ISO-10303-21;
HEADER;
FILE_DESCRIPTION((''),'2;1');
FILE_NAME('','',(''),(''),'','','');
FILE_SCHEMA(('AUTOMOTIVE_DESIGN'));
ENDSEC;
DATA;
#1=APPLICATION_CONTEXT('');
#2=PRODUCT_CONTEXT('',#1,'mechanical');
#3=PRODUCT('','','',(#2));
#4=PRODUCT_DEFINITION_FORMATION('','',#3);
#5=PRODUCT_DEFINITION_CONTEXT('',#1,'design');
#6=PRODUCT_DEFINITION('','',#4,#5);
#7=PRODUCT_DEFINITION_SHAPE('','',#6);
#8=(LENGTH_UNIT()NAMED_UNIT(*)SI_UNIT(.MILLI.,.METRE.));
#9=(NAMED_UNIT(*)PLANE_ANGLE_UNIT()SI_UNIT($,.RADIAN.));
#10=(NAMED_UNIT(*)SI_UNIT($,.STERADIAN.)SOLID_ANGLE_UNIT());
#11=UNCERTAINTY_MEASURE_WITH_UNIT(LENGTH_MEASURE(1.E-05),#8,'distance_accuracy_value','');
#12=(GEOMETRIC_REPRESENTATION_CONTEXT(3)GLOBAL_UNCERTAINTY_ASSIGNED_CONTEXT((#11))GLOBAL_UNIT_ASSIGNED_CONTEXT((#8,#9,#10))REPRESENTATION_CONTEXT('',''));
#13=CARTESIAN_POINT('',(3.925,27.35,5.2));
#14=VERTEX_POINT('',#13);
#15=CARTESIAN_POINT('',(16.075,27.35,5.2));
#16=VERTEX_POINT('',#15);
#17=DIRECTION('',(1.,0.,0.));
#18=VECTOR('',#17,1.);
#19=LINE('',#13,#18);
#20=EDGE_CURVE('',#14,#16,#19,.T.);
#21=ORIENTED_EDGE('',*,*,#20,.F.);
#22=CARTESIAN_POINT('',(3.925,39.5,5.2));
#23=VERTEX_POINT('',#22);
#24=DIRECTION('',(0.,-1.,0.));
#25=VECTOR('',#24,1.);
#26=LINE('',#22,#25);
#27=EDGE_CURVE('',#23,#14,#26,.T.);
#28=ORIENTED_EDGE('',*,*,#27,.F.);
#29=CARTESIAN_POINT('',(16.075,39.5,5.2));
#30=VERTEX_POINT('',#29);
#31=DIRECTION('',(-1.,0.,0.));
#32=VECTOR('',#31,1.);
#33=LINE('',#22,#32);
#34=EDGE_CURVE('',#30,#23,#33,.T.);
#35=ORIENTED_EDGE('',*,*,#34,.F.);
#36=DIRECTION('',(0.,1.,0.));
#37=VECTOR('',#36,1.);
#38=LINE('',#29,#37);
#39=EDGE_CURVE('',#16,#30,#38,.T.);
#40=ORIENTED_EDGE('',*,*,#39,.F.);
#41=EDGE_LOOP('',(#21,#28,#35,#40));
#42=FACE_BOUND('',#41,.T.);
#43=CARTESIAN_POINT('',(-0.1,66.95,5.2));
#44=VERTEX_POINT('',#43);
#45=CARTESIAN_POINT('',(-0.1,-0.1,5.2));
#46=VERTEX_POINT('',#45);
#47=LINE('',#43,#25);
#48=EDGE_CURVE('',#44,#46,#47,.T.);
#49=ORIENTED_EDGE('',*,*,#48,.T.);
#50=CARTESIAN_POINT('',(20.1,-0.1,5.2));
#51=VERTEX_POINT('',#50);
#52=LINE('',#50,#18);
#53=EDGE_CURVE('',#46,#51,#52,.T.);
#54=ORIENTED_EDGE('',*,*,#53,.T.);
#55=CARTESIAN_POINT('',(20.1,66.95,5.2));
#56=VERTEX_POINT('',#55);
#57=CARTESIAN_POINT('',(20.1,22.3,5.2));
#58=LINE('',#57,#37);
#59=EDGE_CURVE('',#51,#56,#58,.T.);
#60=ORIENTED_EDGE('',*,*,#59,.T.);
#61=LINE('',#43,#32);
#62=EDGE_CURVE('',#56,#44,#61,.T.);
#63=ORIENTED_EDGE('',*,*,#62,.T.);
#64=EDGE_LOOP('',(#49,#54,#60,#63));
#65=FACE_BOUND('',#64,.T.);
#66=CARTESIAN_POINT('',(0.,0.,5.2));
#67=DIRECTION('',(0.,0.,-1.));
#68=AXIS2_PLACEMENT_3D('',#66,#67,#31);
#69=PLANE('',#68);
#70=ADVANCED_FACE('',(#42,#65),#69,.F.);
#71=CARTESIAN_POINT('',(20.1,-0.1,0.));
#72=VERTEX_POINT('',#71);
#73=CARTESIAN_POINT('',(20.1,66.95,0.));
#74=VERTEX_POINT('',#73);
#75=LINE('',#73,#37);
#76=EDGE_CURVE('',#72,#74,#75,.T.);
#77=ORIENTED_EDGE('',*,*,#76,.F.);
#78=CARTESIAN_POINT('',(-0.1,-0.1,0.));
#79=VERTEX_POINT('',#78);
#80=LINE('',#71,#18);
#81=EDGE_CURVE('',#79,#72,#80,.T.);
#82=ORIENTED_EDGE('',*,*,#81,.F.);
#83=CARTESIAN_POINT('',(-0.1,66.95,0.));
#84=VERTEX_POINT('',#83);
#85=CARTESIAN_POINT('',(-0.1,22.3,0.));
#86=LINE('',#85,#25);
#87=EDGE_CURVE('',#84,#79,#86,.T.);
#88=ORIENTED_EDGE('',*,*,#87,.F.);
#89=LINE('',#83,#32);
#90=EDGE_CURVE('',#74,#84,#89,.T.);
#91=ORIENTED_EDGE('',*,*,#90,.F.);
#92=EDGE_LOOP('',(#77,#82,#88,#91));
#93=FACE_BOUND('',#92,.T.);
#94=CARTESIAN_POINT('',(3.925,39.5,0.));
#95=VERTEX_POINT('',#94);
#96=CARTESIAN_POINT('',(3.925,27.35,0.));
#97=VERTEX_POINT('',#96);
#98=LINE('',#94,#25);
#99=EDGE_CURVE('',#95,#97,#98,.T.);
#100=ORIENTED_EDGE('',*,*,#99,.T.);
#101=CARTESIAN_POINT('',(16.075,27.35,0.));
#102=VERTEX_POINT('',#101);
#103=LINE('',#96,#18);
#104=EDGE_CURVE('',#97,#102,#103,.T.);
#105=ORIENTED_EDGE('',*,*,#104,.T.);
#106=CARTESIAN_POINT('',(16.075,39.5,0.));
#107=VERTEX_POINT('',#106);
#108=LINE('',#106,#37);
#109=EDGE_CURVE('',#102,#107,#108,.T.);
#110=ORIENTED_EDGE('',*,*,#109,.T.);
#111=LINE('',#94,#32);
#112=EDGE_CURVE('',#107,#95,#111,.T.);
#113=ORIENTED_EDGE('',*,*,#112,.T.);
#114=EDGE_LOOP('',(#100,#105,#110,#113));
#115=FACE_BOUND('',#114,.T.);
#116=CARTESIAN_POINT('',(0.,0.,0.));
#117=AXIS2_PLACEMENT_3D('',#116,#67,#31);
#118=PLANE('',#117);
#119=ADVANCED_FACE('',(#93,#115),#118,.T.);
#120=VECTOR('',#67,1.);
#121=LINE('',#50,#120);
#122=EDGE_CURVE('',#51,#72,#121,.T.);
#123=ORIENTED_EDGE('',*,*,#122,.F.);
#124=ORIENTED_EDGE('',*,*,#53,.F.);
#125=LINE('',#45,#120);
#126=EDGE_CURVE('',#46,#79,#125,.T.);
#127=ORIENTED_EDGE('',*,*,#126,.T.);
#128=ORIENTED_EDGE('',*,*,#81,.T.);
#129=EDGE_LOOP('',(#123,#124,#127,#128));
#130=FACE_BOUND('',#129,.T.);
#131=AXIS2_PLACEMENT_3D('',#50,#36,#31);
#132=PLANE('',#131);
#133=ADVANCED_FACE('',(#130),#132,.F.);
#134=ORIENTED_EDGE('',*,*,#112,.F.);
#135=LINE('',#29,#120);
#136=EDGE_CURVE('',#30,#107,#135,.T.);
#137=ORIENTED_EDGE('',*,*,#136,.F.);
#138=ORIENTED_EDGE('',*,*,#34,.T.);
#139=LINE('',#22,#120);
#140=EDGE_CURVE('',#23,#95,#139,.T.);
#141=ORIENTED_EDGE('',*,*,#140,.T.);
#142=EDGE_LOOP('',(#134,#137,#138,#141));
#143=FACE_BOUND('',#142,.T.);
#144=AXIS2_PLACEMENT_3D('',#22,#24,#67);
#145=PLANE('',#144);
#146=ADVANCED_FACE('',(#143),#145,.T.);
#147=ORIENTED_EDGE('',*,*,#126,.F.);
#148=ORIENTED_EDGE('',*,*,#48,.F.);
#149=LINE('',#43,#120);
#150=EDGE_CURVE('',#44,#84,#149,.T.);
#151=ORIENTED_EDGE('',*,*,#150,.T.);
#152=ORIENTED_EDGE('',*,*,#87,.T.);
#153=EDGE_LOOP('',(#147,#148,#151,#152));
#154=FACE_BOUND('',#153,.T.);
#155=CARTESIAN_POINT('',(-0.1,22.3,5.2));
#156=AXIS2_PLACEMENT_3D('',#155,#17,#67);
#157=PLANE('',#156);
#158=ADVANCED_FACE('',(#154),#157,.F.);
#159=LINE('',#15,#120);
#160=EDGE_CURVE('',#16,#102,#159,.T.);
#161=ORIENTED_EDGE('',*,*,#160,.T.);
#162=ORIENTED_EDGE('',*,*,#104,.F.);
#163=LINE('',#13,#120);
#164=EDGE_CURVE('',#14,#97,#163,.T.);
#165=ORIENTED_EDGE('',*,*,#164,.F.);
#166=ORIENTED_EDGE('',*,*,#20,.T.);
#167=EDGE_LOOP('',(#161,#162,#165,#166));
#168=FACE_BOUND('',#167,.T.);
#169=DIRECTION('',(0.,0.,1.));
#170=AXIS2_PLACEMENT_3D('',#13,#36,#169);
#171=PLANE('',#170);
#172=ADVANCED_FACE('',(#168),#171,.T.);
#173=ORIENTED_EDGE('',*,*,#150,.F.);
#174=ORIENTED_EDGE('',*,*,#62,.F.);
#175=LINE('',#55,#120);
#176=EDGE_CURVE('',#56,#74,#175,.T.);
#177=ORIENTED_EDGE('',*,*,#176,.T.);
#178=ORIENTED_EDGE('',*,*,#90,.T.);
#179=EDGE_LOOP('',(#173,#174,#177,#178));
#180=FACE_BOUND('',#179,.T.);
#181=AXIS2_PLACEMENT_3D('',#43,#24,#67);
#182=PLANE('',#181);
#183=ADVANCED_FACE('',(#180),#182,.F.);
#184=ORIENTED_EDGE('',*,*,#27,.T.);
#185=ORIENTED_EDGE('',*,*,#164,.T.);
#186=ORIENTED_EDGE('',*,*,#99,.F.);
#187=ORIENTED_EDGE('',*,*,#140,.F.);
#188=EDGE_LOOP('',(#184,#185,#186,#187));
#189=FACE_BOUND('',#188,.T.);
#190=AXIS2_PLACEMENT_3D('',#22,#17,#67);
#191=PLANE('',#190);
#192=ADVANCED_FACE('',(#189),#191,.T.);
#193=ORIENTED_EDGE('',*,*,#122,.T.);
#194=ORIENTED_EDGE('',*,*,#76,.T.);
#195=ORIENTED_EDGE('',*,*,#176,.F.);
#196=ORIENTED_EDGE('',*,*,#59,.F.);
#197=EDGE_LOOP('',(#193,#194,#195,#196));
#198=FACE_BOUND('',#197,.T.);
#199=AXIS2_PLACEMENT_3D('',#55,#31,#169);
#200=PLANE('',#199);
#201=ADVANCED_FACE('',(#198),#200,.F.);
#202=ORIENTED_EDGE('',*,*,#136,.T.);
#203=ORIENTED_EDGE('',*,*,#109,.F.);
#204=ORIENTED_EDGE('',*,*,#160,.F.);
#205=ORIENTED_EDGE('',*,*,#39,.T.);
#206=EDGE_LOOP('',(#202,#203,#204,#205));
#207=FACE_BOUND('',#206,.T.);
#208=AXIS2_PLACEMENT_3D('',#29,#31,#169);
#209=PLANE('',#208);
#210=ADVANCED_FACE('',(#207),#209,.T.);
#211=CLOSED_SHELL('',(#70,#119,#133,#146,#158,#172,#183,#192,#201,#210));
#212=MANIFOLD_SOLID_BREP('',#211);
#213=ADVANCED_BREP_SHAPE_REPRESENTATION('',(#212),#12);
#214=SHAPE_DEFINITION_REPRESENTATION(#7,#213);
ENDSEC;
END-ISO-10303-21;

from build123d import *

# Parameters (mm, degrees)
SKETCH1_W           = 12.15
SKETCH1_H           = 12.15
BOSS_EXTRUDE1_DEPTH = 5.2


with BuildPart() as part:
    # Sketch1 → Boss-Extrude1 (new body)
    with BuildSketch(Plane.XY):
        Polygon((-0.1, 66.95), (20.1, 66.95), (20.1, 44.55), (20.1, 39.4), (20.1, 27.45), (20.1, 22.3), (20.1, -0.1), (-0.1, -0.1), (-0.1, 22.3), (-0.1, 27.45), (-0.1, 39.4), (-0.1, 44.55), align=None)
        with Locations((10, 33.425)):
            Rectangle(SKETCH1_W, SKETCH1_H, mode=Mode.SUBTRACT)
    extrude(amount=BOSS_EXTRUDE1_DEPTH)


solid = part.part
